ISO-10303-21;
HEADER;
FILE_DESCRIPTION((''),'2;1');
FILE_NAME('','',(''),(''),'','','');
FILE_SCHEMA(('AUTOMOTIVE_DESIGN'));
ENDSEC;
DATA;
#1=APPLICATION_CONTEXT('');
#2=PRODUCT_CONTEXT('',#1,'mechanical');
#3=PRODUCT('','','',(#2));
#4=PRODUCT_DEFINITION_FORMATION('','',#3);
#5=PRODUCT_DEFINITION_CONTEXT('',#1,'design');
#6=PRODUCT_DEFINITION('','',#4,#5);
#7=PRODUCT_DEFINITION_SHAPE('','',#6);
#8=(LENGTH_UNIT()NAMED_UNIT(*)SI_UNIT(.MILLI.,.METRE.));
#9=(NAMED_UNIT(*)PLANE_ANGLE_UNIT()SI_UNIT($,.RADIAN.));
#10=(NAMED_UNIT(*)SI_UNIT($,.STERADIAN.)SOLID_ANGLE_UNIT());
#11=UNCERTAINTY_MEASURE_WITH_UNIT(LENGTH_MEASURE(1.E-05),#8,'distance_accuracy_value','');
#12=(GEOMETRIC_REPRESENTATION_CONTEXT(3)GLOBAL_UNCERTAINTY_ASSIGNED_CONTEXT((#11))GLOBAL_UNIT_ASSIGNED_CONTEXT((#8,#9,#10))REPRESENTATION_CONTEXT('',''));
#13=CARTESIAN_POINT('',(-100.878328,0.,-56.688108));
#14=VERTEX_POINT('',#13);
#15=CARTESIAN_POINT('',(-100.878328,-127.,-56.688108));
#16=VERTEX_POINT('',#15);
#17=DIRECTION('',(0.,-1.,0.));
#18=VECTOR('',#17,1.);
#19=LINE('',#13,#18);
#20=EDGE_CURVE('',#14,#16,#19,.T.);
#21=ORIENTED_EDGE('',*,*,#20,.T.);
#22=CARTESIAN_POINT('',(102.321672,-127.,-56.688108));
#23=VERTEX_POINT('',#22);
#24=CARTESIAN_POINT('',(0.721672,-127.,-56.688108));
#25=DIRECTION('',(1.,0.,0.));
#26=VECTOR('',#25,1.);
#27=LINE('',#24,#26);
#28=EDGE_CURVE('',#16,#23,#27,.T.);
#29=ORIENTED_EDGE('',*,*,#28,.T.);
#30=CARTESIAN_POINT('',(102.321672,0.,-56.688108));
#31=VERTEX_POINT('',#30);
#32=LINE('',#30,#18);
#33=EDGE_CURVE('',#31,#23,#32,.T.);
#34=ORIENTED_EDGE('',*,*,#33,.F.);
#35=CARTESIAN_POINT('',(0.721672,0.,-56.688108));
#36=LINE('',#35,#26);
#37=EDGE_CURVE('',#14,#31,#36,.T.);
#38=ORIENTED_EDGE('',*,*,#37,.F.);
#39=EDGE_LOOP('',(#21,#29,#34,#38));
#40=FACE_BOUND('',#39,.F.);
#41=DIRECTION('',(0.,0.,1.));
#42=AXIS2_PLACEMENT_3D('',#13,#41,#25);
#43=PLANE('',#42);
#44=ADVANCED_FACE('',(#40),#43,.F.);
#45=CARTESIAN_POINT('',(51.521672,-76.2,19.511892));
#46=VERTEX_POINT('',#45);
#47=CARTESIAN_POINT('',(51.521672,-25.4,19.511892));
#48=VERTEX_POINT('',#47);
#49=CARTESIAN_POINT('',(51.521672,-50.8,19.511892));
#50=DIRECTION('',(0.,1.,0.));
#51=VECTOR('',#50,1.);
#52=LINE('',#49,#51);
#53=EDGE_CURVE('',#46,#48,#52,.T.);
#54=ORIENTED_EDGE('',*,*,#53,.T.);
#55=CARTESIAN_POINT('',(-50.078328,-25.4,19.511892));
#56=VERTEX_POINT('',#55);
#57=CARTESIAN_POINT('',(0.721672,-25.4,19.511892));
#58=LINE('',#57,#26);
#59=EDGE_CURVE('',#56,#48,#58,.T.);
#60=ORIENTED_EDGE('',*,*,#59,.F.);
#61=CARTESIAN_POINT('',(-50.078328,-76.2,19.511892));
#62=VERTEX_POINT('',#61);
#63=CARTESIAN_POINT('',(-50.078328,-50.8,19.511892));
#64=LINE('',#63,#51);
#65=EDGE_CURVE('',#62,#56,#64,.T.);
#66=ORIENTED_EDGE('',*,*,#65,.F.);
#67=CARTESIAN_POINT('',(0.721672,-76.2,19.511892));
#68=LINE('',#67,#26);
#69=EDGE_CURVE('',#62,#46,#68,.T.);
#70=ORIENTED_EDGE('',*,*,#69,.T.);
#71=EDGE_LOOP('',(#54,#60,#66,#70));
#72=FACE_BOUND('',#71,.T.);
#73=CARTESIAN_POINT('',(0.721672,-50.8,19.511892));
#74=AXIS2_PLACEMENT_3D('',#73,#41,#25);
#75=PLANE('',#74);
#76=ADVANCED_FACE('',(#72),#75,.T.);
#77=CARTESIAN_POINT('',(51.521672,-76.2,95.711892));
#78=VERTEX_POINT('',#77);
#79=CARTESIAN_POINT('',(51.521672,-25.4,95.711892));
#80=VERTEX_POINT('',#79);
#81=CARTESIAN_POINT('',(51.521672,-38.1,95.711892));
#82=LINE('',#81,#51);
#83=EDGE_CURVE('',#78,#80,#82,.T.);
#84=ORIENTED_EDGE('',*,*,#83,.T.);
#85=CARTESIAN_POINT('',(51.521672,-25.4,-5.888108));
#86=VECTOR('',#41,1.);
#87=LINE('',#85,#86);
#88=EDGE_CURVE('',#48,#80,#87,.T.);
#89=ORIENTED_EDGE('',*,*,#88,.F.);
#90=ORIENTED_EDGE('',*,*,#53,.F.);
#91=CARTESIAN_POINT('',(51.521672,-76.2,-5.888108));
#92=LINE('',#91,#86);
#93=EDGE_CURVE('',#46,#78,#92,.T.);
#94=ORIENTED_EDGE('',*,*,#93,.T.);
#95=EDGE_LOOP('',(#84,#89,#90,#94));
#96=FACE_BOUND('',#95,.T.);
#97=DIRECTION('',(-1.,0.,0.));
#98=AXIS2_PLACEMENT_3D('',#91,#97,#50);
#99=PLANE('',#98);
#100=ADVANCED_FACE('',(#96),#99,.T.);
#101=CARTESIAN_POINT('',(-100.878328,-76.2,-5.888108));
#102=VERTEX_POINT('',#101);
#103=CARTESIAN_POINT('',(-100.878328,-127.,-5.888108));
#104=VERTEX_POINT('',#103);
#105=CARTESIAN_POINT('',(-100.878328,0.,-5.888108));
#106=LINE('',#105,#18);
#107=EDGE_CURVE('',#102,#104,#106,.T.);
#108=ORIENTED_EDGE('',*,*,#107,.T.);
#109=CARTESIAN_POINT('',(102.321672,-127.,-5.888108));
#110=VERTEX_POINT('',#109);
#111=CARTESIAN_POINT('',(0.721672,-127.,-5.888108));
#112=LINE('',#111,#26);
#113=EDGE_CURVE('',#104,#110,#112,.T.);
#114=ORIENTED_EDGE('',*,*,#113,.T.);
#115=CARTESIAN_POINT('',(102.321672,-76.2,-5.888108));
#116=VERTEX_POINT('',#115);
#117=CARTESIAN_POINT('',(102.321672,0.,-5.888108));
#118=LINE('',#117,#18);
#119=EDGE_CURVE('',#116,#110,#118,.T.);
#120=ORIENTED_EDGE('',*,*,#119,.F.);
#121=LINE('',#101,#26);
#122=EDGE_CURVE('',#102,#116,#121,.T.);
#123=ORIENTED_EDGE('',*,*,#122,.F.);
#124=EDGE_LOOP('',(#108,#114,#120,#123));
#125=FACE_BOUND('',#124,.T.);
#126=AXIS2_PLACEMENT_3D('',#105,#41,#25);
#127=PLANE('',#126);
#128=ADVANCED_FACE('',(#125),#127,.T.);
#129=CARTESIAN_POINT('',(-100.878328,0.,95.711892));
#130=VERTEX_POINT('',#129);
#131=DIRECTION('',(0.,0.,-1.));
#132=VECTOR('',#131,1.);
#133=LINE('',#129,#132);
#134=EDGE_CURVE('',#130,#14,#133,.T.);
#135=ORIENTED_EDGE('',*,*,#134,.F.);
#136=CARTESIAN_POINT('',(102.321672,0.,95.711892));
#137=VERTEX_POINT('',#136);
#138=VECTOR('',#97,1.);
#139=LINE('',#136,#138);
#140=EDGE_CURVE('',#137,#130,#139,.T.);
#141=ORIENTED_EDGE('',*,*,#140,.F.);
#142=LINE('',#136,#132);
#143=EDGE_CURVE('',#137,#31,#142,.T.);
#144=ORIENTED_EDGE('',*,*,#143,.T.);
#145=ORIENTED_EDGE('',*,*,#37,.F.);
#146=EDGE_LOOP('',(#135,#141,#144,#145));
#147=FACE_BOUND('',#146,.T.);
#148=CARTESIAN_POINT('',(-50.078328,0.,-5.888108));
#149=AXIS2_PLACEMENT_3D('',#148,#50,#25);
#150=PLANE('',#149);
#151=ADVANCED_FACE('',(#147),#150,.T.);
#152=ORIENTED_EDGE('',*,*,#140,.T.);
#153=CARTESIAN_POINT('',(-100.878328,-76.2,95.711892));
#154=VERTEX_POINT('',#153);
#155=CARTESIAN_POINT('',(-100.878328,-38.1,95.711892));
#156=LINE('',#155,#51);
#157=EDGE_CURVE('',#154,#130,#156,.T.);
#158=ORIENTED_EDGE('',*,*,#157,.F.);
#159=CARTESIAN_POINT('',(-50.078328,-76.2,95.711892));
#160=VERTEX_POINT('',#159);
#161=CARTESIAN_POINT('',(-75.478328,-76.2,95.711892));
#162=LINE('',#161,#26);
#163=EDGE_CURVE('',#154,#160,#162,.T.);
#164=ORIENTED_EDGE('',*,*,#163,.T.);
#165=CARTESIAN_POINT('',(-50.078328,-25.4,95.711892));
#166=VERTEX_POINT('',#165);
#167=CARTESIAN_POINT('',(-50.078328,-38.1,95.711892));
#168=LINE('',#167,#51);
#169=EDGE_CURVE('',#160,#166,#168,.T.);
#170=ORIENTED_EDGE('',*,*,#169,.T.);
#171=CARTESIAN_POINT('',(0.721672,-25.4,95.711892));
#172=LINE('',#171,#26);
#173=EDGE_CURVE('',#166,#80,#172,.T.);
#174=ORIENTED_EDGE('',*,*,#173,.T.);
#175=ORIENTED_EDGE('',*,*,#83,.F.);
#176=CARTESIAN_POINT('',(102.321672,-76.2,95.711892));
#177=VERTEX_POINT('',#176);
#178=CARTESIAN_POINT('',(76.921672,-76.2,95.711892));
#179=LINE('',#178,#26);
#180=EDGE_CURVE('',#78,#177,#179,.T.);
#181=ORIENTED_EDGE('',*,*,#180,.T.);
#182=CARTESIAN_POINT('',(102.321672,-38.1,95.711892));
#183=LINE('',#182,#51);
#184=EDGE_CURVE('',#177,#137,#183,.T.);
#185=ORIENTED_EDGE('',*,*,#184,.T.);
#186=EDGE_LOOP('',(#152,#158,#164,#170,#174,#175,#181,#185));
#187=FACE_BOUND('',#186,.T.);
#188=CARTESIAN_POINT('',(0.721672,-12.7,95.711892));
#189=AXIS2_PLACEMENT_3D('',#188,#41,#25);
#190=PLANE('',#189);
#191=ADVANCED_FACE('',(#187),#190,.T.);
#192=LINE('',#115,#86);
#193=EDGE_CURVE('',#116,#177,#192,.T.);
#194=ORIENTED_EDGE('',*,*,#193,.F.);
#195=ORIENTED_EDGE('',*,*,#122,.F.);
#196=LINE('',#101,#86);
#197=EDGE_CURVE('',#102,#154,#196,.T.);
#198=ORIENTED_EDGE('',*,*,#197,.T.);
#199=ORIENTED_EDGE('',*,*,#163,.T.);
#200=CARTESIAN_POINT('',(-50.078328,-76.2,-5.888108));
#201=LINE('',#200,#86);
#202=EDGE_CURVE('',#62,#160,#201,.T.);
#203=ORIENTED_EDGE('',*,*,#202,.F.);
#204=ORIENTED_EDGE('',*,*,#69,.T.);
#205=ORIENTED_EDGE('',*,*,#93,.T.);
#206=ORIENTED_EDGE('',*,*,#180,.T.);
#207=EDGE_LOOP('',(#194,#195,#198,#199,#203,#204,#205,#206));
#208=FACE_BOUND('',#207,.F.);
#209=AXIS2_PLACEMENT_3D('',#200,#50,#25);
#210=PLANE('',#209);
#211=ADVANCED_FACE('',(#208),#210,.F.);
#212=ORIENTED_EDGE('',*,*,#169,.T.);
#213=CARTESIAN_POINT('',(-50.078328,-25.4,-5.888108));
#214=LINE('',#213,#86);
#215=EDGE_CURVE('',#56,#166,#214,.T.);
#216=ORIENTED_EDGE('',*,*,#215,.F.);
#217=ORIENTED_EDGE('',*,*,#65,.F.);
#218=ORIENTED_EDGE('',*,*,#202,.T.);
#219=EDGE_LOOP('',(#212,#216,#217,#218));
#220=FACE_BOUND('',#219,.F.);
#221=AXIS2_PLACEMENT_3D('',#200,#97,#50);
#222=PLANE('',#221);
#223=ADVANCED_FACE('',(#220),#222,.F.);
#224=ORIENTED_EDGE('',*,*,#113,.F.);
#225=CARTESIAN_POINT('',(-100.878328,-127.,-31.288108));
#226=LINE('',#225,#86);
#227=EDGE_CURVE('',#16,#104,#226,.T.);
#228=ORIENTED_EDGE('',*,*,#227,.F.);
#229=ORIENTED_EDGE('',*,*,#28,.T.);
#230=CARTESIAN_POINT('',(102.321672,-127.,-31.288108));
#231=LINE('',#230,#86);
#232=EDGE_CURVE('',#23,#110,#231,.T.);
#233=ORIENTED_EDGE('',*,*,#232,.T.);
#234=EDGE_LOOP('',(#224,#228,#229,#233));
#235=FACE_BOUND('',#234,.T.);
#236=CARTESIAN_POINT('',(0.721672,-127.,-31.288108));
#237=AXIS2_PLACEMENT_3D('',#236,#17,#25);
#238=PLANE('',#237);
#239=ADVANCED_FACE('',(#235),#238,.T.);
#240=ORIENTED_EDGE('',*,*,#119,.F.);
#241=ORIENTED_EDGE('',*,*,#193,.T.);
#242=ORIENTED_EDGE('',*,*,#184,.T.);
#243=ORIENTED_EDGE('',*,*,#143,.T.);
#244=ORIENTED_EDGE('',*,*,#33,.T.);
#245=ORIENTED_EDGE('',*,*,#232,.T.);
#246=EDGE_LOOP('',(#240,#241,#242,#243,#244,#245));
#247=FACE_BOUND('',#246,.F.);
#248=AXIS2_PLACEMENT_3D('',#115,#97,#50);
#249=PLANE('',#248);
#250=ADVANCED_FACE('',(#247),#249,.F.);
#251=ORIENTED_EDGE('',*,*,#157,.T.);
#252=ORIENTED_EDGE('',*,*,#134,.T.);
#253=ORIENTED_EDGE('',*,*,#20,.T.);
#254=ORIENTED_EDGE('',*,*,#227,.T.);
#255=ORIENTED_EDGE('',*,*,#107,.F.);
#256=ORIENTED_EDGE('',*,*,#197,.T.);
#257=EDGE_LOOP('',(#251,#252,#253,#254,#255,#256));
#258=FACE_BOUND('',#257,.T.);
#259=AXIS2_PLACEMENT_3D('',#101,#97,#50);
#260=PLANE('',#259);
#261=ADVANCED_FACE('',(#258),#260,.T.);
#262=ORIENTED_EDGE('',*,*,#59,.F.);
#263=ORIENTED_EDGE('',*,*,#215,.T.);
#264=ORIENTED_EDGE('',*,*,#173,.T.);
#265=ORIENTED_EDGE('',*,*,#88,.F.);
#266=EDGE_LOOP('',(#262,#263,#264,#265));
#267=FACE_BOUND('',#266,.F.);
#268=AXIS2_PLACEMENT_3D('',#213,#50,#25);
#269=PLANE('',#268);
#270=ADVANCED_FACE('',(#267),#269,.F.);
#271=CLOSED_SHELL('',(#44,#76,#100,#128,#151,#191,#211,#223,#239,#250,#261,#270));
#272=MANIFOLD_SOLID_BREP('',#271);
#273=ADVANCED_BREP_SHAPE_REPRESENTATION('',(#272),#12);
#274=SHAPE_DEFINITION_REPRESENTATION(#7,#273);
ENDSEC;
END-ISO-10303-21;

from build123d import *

# Parameters (mm, degrees)
F0_W     = 203.2
F0_H     = 50.8
F1_DEPTH = 127
F2_W     = 50.8
F2_H     = 76.2
F3_DEPTH = 101.6
F4_W     = 50.8
F4_H     = 76.2
F5_DEPTH = 101.6
F6_W     = 101.6
F6_H     = 50.8
F7_DEPTH = 25.4
F8_W     = 101.6
F8_H     = 25.4
F9_DEPTH = 101.6


with BuildPart() as f1:
    # F0 (on Front) → F1 (new body)
    with BuildSketch(Plane.XZ):
        with Locations((0.721672, -31.288108)):
            Rectangle(F0_W, F0_H)
    extrude(amount=F1_DEPTH)

    # F2 (on face) → F3 (join)
    with BuildSketch(Plane.XY.offset(-5.888108)):
        with Locations((-75.478328, -38.1)):
            Rectangle(F2_W, F2_H)
    extrude(amount=F3_DEPTH)

    # F4 (on face) → F5 (join)
    with BuildSketch(Plane.XY.offset(-5.888108)):
        with Locations((76.921672, -38.1)):
            Rectangle(F4_W, F4_H)
    extrude(amount=F5_DEPTH)

    # F6 (on face) → F7 (join)
    with BuildSketch(Plane.XY.offset(-5.888108)):
        with Locations((0.721672, -50.8)):
            Rectangle(F6_W, F6_H)
    extrude(amount=F7_DEPTH)

    # F8 (on face) → F9 (join)
    with BuildSketch(Plane.XY.offset(-5.888108)):
        with Locations((0.721672, -12.7)):
            Rectangle(F8_W, F8_H)
    extrude(amount=F9_DEPTH)


solid = f1.part
